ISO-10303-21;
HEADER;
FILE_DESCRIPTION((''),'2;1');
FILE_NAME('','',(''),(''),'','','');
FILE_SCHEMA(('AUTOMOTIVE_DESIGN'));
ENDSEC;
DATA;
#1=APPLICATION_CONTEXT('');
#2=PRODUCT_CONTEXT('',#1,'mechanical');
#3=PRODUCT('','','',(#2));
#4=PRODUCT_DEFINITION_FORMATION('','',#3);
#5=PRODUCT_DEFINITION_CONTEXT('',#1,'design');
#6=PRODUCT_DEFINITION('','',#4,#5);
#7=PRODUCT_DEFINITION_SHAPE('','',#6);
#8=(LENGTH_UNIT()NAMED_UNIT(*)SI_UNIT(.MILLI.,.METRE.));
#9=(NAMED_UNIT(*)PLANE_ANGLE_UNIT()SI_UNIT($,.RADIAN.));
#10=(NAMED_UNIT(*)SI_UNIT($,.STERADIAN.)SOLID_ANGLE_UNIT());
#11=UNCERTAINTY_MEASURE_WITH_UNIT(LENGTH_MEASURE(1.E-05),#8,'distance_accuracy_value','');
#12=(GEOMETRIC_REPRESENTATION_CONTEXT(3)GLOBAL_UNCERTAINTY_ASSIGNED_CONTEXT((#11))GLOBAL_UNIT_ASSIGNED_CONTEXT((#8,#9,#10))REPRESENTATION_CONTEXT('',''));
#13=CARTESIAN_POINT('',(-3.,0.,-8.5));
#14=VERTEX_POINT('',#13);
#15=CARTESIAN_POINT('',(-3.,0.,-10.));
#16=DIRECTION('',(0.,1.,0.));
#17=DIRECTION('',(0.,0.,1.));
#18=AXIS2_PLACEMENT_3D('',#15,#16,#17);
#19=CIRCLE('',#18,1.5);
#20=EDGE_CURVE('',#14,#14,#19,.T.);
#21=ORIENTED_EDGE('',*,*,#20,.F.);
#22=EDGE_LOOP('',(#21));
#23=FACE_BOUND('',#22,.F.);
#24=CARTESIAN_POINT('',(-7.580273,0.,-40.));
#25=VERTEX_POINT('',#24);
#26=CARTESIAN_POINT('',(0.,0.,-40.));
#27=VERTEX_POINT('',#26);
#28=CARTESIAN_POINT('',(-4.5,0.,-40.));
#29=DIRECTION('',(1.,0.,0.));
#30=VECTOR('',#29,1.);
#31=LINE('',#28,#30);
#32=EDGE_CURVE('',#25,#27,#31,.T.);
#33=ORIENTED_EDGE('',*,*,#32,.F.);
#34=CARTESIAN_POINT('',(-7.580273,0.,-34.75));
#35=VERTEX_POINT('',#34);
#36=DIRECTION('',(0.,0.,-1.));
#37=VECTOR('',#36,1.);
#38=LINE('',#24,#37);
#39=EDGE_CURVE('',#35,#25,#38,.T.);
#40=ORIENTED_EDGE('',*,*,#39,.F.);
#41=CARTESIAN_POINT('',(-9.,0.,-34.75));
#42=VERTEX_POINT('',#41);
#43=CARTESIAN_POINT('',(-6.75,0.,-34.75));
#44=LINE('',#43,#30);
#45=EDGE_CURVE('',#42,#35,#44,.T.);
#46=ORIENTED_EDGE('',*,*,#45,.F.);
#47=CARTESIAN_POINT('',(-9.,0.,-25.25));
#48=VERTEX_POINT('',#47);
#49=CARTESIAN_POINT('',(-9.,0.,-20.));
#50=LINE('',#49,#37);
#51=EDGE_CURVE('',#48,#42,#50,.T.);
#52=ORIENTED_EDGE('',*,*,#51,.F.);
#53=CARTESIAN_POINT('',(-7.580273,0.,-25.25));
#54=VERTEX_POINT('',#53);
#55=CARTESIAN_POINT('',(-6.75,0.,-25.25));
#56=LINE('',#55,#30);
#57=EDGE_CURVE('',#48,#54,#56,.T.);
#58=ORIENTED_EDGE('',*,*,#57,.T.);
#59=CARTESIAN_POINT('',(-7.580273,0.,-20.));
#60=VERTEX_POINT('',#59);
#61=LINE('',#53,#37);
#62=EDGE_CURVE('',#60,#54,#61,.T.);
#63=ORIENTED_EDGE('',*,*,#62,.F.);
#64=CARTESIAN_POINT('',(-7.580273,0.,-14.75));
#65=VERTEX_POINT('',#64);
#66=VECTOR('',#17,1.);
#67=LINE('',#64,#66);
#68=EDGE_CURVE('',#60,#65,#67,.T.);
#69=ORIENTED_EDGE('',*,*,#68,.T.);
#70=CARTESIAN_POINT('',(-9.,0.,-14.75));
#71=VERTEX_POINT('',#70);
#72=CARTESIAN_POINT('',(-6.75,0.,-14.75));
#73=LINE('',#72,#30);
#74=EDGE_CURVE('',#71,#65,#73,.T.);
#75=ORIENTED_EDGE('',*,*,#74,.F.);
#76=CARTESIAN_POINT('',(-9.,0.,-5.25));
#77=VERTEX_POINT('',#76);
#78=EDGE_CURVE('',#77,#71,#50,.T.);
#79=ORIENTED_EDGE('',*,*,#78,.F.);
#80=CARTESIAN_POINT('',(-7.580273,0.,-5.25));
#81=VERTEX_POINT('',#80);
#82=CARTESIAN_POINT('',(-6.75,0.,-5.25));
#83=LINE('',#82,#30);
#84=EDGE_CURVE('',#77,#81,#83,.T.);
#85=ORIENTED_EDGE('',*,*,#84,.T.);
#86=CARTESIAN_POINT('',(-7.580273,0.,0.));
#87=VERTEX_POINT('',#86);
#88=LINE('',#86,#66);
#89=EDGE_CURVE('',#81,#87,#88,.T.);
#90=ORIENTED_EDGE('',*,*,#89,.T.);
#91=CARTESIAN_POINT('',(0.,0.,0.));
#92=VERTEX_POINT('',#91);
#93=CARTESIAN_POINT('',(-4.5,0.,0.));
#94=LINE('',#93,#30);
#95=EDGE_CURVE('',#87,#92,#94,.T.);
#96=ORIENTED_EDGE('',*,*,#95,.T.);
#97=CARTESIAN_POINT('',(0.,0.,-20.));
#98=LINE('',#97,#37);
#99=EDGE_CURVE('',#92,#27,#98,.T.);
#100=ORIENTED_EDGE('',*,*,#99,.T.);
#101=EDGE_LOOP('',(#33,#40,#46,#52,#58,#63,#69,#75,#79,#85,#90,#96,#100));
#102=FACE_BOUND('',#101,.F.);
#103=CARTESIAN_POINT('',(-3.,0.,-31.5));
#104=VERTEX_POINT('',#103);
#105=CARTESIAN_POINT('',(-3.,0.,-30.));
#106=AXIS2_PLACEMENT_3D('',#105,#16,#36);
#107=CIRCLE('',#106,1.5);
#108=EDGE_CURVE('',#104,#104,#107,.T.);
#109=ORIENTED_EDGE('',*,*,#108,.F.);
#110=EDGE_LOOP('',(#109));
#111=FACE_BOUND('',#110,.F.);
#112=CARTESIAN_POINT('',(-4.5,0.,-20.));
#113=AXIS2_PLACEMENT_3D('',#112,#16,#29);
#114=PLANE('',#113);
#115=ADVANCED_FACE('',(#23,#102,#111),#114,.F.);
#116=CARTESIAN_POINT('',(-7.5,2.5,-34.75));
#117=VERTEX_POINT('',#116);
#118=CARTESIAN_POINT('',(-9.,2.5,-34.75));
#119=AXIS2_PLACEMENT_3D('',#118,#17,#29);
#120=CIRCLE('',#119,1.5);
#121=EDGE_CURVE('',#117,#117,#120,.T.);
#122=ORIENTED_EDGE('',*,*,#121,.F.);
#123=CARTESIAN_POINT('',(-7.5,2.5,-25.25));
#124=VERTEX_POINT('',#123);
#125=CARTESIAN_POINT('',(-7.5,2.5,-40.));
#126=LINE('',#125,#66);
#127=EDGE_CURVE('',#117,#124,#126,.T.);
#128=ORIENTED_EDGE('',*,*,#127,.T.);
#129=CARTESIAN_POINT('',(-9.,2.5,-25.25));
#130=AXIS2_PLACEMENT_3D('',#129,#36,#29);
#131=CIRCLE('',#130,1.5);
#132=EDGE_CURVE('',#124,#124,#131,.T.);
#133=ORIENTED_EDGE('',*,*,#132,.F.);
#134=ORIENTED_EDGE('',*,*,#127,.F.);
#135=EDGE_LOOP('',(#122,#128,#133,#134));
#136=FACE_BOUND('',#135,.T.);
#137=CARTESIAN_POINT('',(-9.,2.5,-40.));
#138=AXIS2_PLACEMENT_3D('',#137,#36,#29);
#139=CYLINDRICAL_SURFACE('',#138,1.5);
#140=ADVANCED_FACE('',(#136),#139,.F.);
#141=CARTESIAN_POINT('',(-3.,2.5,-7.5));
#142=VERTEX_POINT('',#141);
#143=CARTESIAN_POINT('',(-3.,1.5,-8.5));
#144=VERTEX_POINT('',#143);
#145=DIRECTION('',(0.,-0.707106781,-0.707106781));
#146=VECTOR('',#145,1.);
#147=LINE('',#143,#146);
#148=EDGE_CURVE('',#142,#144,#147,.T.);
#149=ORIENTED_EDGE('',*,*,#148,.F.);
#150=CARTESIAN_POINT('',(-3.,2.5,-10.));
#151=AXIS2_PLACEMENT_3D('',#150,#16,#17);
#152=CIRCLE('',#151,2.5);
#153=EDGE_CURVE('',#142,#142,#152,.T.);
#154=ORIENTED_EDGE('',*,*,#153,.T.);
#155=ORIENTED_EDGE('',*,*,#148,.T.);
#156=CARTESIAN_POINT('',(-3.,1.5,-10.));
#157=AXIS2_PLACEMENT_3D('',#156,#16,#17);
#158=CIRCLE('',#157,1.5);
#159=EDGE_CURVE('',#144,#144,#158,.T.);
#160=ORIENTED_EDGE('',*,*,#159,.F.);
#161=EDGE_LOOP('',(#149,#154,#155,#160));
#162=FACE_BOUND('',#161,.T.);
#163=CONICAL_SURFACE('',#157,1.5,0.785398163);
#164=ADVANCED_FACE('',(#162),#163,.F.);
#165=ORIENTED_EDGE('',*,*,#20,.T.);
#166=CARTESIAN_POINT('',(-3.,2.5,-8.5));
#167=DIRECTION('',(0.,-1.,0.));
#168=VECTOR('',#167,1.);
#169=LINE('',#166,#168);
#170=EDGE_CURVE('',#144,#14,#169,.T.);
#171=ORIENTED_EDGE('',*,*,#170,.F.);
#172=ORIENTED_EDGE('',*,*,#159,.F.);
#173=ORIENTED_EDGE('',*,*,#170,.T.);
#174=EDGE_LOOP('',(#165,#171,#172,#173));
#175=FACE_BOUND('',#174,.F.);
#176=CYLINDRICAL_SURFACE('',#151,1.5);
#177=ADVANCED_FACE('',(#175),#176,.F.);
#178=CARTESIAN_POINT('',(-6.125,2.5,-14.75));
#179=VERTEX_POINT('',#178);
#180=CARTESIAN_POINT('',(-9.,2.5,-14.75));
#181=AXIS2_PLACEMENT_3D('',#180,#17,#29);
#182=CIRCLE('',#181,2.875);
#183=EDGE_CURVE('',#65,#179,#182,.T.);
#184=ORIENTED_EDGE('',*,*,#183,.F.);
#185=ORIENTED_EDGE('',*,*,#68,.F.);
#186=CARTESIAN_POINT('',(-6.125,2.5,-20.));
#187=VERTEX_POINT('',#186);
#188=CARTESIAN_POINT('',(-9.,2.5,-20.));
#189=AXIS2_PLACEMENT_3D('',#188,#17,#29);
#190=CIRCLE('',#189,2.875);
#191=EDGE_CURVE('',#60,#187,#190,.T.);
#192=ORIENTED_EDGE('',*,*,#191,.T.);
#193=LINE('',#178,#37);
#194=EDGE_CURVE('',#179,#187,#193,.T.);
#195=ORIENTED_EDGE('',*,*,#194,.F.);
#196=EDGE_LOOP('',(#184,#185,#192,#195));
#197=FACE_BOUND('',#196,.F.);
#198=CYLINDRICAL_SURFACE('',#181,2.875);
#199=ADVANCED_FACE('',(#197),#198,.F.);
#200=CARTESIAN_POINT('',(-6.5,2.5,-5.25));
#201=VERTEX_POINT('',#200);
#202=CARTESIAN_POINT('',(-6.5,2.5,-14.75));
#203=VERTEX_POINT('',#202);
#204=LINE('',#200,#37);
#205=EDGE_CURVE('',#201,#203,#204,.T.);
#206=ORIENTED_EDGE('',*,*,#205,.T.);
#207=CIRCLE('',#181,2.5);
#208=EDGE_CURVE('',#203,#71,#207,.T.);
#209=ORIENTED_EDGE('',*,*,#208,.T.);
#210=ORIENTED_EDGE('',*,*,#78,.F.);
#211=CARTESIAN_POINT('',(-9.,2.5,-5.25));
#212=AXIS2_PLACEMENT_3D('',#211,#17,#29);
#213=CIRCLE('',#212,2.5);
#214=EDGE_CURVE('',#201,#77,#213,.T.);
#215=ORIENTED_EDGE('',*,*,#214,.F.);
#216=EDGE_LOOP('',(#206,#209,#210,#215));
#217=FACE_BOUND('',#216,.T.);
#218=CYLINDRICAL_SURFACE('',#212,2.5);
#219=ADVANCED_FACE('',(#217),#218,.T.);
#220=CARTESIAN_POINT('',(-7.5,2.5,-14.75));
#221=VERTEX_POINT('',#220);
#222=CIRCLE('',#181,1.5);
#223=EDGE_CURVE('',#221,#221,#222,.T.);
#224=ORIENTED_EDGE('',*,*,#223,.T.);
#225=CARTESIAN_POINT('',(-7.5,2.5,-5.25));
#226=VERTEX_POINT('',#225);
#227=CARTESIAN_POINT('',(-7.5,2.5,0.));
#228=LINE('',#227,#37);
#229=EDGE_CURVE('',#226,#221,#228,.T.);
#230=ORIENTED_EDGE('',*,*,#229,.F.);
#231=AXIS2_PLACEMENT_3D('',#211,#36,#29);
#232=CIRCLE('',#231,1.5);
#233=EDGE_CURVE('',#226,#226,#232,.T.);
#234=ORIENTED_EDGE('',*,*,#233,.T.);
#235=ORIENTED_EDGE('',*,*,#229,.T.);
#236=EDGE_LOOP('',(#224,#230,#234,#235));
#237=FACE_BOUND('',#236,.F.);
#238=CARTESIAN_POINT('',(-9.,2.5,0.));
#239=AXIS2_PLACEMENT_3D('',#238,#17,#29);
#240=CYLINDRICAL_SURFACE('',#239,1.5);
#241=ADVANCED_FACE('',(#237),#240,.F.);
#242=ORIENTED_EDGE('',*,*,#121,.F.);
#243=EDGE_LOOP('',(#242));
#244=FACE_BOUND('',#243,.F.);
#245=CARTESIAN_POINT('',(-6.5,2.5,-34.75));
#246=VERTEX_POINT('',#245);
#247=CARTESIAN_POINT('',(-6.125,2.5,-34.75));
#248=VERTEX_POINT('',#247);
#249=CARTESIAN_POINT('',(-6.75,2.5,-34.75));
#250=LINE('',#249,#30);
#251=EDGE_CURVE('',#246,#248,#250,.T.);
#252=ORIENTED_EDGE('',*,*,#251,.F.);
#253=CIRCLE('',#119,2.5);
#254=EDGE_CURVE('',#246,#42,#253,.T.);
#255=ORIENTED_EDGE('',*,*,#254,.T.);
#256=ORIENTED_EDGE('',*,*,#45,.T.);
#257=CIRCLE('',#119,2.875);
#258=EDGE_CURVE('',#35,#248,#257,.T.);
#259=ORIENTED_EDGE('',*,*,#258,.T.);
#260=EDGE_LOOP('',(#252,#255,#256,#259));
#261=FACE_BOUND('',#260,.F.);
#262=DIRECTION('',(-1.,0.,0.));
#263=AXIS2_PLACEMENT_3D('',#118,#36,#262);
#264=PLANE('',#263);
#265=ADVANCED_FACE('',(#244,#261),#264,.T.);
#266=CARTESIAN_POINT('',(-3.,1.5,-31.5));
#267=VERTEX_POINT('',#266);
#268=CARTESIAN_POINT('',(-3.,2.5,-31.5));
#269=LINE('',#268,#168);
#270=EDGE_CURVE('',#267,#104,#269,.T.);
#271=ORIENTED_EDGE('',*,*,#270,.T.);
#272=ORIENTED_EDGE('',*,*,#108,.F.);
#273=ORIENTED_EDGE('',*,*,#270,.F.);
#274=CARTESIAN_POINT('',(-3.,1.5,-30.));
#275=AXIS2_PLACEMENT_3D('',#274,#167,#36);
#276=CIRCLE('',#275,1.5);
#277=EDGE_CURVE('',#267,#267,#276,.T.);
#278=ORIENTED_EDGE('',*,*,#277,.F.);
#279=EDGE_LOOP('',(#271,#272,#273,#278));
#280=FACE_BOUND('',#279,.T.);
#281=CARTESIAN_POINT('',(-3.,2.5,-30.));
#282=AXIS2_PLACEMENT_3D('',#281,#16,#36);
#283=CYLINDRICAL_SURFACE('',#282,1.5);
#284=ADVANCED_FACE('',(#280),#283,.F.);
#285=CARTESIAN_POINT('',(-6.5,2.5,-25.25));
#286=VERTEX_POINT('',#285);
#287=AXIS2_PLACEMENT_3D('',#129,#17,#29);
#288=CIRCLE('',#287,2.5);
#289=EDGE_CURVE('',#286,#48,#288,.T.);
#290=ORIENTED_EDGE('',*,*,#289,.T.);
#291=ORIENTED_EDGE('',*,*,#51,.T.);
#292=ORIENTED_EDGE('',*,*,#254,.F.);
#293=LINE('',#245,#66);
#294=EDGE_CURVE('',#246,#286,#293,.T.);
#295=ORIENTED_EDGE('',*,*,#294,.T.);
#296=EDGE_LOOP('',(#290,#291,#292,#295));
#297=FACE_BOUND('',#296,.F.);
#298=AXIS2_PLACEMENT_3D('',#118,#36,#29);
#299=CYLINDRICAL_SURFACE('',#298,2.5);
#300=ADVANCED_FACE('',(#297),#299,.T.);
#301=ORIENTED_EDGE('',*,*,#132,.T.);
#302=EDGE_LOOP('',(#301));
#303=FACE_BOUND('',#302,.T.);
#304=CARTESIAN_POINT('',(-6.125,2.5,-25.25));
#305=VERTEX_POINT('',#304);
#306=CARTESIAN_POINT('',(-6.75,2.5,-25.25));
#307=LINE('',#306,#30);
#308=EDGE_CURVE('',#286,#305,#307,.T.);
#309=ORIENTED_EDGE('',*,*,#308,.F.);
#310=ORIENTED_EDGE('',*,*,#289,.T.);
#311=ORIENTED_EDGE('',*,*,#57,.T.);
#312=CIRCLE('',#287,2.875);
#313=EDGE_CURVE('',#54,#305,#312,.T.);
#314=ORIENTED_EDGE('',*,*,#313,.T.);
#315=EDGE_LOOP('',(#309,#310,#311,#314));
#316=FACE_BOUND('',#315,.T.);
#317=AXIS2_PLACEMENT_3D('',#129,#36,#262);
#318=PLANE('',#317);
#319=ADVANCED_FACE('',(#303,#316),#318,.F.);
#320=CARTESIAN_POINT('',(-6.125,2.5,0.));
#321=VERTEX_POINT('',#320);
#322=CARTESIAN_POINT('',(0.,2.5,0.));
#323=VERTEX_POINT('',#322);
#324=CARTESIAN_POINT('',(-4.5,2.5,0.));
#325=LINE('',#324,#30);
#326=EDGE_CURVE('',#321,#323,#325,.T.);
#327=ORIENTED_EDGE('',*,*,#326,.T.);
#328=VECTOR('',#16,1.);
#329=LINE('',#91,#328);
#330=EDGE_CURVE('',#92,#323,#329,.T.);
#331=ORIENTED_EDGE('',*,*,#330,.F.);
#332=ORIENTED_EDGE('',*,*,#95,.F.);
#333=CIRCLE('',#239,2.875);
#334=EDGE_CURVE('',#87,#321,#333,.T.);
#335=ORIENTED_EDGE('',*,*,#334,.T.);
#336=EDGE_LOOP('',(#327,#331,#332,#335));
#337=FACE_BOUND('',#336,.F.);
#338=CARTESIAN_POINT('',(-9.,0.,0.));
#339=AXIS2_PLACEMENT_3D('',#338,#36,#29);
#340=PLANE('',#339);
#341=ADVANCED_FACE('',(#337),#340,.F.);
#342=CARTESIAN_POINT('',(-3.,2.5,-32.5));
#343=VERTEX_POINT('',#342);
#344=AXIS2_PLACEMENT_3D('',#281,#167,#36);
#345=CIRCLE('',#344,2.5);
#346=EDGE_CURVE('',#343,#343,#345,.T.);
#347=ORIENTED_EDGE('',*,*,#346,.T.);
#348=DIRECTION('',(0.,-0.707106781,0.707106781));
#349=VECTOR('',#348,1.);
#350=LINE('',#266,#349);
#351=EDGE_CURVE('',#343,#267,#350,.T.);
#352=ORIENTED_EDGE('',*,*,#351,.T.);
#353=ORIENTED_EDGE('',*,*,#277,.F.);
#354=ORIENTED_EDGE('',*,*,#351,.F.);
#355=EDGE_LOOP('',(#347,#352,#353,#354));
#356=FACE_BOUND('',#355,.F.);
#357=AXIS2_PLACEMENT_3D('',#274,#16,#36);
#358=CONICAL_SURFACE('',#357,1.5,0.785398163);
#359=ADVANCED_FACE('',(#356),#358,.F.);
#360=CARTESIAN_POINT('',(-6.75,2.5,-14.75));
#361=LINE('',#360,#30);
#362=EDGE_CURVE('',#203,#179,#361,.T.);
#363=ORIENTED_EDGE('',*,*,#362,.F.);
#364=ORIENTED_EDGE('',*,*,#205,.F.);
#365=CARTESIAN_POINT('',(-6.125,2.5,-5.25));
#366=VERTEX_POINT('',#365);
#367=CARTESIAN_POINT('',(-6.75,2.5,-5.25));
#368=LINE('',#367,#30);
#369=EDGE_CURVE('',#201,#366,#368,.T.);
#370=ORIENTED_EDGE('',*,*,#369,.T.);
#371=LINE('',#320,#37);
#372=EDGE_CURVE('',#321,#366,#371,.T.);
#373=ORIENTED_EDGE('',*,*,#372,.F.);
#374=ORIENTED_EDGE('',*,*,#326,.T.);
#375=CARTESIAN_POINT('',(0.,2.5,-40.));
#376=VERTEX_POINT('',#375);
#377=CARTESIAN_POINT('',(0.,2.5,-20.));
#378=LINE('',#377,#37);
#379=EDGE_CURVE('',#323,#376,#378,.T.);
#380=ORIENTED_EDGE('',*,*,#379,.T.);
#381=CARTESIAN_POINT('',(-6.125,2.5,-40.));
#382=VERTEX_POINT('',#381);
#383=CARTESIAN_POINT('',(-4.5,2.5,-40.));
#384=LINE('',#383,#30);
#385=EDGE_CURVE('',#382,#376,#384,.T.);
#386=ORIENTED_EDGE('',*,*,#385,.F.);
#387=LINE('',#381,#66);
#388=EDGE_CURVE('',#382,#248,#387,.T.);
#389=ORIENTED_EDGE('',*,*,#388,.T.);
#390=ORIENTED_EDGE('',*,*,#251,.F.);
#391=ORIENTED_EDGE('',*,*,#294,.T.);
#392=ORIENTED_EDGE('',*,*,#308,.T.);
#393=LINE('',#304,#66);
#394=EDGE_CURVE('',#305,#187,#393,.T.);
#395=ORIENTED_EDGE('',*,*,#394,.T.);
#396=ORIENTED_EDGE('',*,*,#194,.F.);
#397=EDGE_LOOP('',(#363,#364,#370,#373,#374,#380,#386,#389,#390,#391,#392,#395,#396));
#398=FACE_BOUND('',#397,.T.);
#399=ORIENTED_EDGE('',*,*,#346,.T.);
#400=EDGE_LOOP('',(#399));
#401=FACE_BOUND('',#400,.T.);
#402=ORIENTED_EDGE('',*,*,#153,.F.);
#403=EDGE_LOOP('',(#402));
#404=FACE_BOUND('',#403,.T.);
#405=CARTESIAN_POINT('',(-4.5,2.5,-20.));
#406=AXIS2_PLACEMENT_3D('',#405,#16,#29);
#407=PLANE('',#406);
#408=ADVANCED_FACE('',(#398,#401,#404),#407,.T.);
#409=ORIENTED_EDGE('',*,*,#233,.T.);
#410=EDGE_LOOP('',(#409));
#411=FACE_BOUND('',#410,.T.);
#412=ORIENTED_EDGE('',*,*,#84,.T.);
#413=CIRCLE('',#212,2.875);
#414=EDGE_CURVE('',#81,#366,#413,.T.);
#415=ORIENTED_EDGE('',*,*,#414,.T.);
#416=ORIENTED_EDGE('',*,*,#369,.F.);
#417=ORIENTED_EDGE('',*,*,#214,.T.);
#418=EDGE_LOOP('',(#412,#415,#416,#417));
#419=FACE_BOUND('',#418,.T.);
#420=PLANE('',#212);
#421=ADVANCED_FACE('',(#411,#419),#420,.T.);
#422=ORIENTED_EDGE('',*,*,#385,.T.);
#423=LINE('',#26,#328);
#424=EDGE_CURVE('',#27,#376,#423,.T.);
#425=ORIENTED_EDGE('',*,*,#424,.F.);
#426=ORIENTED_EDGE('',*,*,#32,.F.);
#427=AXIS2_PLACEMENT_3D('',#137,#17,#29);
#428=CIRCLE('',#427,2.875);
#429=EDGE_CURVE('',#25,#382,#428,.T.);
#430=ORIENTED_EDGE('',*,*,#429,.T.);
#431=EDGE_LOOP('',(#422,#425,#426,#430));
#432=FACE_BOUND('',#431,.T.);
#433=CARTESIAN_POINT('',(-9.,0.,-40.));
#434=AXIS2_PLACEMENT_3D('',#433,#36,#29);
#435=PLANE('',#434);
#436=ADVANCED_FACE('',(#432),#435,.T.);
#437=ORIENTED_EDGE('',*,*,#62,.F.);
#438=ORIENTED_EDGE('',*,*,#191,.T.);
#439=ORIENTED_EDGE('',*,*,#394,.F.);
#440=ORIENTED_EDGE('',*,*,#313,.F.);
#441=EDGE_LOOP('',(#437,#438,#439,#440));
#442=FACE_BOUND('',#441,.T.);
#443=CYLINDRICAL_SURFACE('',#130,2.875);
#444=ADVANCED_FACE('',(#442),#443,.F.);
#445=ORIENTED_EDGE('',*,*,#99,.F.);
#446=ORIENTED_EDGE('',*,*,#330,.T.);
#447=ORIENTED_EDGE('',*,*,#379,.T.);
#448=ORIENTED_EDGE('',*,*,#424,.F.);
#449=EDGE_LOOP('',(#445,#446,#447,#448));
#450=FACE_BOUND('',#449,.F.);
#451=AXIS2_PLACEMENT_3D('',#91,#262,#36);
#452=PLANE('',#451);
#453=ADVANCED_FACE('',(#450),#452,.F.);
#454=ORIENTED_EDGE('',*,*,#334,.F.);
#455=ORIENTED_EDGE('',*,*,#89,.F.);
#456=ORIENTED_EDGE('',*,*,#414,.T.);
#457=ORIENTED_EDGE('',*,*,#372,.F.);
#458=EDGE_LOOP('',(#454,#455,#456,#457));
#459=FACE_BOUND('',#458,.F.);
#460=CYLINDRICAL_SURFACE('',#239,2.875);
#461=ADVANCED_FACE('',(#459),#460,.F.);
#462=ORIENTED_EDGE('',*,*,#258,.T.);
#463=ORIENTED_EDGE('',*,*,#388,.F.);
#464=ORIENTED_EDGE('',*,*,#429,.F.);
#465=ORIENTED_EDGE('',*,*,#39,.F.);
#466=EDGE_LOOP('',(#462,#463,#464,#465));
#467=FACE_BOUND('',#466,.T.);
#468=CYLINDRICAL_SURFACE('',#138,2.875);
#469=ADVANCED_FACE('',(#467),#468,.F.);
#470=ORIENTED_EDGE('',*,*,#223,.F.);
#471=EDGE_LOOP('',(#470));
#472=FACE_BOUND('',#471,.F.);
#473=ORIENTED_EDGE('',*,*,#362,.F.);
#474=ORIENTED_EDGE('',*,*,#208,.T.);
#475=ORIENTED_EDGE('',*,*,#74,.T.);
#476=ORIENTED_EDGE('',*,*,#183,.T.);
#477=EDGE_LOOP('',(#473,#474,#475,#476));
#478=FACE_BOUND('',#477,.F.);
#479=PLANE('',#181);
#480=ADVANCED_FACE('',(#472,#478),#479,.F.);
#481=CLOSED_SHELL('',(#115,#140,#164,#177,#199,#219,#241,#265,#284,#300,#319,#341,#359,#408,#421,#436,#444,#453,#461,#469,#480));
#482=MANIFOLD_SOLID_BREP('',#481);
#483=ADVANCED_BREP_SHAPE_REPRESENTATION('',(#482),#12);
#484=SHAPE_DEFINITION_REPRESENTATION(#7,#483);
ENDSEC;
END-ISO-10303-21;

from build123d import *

# Parameters (mm, degrees)
SKETCH1_W           = 9
SKETCH1_H           = 40
BOSS_EXTRUDE1_DEPTH = 2.5
BOSS_EXTRUDE2_START = -5.25
SKETCH2_R           = 2.5
BOSS_EXTRUDE2_DEPTH = 9.5
SKETCH3_R           = 1.5
CUT_EXTRUDE1_DEPTH  = 42.919565837
SKETCH4_R           = 2.875
CUT_EXTRUDE2_DEPTH  = 5.25
CUT_EXTRUDE3_START  = -14.75
SKETCH4_2_R         = 2.875
CUT_EXTRUDE3_DEPTH  = 5.25
SKETCH5_R           = 1.5
CUT_EXTRUDE4_DEPTH  = 42.695323479
CHAMFER1_SIZE       = 1
CHAMFER2_SIZE       = 1


with BuildPart() as part:
    # Sketch1 → Boss-Extrude1 (new body)
    with BuildSketch(Plane(origin=(0, 0, 0), x_dir=(1, 0, 0), z_dir=(0, 1, 0))):
        with Locations((-4.5, 20)):
            Rectangle(SKETCH1_W, SKETCH1_H)
    extrude(amount=BOSS_EXTRUDE1_DEPTH)

    # Sketch2 → Boss-Extrude2 (add)
    with BuildSketch(Plane.XY.offset(BOSS_EXTRUDE2_START)):
        with Locations((-9, 2.5)):
            Circle(SKETCH2_R)
    boss_extrude2 = extrude(amount=-BOSS_EXTRUDE2_DEPTH)

    # Sketch3 → Cut-Extrude1 (cut, through all)
    with BuildSketch(Plane.XY):
        with Locations((-9, 2.5)):
            Circle(SKETCH3_R)
    cut_extrude1 = extrude(amount=-CUT_EXTRUDE1_DEPTH, mode=Mode.SUBTRACT)

    # Sketch4 → Cut-Extrude2 (cut)
    with BuildSketch(Plane.XY):
        with Locations((-9, 2.5)):
            Circle(SKETCH4_R)
    cut_extrude2 = extrude(amount=-CUT_EXTRUDE2_DEPTH, mode=Mode.SUBTRACT)

    # Sketch4<2> → Cut-Extrude3 (cut)
    with BuildSketch(Plane.XY.offset(CUT_EXTRUDE3_START)):
        with Locations((-9, 2.5)):
            Circle(SKETCH4_2_R)
    cut_extrude3 = extrude(amount=-CUT_EXTRUDE3_DEPTH, mode=Mode.SUBTRACT)

    # Mirror2: Boss-Extrude2, Cut-Extrude1, Cut-Extrude2, Cut-Extrude3 across plane
    add(boss_extrude2.mirror(Plane.XY.offset(-20)))
    add(cut_extrude1.mirror(Plane.XY.offset(-20)), mode=Mode.SUBTRACT)
    add(cut_extrude2.mirror(Plane.XY.offset(-20)), mode=Mode.SUBTRACT)
    add(cut_extrude3.mirror(Plane.XY.offset(-20)), mode=Mode.SUBTRACT)

    # Sketch5 → Cut-Extrude4 (cut, through all)
    with BuildSketch(Plane(origin=(0, 2.5, 0), x_dir=(1, 0, 0), z_dir=(0, 1, 0))):
        with Locations(Location((-3, 10, 0), (0, 0, 270))):
            Circle(SKETCH5_R)
    cut_extrude4 = extrude(amount=-CUT_EXTRUDE4_DEPTH, mode=Mode.SUBTRACT)

    # Mirror3: Cut-Extrude4 across plane
    add(cut_extrude4.mirror(Plane.XY.offset(-20)), mode=Mode.SUBTRACT)

    # Chamfer1
    chamfer1_edges = [part.edges().sort_by_distance(p)[0] for p in [
        (-3, 2.5, -28.5),
    ]]
    chamfer(chamfer1_edges, length=CHAMFER1_SIZE)

    # Chamfer2
    chamfer2_edges = [part.edges().sort_by_distance(p)[0] for p in [
        (-3, 2.5, -11.5),
    ]]
    chamfer(chamfer2_edges, length=CHAMFER2_SIZE)


solid = part.part
